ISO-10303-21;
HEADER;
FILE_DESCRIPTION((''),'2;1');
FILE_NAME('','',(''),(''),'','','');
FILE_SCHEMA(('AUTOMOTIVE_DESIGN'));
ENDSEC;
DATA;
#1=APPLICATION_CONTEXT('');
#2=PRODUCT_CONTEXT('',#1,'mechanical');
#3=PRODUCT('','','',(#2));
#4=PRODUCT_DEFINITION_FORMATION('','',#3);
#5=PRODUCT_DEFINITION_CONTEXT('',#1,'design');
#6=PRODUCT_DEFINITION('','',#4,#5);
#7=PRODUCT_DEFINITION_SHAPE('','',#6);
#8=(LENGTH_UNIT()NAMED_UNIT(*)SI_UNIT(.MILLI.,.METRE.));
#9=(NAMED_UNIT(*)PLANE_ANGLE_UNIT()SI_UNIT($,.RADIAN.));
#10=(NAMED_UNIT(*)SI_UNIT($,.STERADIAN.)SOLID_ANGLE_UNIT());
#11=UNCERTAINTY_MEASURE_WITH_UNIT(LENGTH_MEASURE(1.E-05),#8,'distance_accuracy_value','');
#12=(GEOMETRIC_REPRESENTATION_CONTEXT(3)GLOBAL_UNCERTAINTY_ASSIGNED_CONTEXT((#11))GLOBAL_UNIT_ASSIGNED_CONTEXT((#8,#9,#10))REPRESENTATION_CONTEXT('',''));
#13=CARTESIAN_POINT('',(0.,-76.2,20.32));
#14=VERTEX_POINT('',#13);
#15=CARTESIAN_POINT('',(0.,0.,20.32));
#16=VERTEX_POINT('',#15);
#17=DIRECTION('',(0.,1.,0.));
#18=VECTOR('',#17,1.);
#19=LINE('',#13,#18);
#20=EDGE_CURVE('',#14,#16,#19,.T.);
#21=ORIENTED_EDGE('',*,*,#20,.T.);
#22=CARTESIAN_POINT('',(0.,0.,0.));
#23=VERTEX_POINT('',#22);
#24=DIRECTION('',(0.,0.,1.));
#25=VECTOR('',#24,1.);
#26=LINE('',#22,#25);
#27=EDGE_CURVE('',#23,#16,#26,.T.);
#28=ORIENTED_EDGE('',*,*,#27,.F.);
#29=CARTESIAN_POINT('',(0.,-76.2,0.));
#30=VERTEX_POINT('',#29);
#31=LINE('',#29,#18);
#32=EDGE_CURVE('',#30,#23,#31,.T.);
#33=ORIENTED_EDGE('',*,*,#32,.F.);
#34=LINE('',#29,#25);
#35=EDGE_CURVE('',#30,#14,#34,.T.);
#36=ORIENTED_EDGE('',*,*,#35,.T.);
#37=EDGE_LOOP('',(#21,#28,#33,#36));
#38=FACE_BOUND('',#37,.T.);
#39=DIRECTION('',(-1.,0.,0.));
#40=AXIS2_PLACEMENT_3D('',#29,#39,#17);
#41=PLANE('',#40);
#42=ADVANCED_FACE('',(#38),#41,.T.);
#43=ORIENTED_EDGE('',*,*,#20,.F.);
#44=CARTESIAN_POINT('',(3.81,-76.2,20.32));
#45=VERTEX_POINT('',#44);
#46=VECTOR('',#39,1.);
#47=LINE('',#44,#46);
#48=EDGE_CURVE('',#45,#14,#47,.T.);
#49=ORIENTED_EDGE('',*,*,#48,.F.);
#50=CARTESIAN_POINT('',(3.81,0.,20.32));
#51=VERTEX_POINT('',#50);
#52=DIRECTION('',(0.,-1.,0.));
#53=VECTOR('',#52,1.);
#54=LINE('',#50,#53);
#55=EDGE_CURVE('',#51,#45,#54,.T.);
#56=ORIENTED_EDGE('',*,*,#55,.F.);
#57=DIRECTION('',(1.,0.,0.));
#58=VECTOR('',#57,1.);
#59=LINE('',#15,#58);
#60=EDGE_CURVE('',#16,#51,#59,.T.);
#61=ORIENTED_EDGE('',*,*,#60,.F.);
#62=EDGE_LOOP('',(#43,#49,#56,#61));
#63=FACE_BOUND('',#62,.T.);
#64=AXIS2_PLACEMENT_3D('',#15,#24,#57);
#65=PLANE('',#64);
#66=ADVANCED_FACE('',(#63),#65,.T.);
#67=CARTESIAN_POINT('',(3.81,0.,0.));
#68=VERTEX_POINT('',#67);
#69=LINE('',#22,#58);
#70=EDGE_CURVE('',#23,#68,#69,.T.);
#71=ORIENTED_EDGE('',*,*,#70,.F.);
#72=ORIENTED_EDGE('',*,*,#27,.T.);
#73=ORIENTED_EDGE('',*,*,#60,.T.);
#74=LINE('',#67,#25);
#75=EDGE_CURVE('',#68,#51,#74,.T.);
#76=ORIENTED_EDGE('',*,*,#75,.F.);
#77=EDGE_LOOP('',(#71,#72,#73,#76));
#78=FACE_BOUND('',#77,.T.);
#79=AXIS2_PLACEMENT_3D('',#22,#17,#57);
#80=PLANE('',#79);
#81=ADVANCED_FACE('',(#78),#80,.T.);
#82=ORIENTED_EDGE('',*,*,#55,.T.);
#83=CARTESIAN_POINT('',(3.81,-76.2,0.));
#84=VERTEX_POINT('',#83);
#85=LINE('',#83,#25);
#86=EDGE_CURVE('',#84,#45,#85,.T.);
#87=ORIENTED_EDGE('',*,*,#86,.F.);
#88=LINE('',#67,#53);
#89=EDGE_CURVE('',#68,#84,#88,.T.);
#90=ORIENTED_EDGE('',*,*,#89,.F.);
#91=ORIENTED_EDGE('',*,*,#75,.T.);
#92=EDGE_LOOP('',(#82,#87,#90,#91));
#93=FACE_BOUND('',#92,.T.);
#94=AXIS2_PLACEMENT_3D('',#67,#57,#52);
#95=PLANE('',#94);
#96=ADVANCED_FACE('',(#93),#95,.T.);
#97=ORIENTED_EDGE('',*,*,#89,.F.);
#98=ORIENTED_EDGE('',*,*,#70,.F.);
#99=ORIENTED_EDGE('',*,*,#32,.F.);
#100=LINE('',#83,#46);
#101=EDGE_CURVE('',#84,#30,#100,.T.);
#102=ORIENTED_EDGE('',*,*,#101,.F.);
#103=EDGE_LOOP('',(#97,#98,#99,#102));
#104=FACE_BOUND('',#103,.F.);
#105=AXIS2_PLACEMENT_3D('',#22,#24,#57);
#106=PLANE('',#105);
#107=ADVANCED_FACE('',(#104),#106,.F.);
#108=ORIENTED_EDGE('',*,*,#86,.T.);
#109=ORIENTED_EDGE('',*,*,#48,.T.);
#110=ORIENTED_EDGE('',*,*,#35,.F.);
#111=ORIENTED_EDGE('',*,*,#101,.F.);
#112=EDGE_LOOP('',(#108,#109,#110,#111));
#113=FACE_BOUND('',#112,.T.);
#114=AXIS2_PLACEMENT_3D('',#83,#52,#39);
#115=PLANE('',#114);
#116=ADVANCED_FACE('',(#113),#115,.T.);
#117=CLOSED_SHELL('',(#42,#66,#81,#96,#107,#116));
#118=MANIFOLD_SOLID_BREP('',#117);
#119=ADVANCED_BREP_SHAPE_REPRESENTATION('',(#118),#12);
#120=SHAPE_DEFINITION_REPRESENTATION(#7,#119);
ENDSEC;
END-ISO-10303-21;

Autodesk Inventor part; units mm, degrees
ref_plane "YZ Plane" through (0, 0, 0) normal (1, 0, 0) x (0, 1, 0)
ref_plane "XZ Plane" through (0, 0, 0) normal (0, 1, 0) x (-1, 0, 0)
ref_plane "XY Plane" through (0, 0, 0) normal (0, 0, 1) x (1, 0, 0)
sketch "Sketch1" plane through (0, 0, 0) normal (0, 0, 1) x (1, 0, 0)
  line L0 (0, 0) -> (3.81, 0)
  line L1 (3.81, 0) -> (3.81, -76.2)
  line L2 (3.81, -76.2) -> (0, -76.2)
  line L3 (0, -76.2) -> (0, 0)
  dimension "d0" = 3.81
  dimension "d1" = 76.2
extrude "Extrusion1" add sketch "Sketch1" along normal blind 20.32
sketch "Sketch2" plane through (0, -76.2, 0) normal (0, -1, 0) x (1, 0, 0)
  point P0 (0, 0)
properties part number "kicker"
